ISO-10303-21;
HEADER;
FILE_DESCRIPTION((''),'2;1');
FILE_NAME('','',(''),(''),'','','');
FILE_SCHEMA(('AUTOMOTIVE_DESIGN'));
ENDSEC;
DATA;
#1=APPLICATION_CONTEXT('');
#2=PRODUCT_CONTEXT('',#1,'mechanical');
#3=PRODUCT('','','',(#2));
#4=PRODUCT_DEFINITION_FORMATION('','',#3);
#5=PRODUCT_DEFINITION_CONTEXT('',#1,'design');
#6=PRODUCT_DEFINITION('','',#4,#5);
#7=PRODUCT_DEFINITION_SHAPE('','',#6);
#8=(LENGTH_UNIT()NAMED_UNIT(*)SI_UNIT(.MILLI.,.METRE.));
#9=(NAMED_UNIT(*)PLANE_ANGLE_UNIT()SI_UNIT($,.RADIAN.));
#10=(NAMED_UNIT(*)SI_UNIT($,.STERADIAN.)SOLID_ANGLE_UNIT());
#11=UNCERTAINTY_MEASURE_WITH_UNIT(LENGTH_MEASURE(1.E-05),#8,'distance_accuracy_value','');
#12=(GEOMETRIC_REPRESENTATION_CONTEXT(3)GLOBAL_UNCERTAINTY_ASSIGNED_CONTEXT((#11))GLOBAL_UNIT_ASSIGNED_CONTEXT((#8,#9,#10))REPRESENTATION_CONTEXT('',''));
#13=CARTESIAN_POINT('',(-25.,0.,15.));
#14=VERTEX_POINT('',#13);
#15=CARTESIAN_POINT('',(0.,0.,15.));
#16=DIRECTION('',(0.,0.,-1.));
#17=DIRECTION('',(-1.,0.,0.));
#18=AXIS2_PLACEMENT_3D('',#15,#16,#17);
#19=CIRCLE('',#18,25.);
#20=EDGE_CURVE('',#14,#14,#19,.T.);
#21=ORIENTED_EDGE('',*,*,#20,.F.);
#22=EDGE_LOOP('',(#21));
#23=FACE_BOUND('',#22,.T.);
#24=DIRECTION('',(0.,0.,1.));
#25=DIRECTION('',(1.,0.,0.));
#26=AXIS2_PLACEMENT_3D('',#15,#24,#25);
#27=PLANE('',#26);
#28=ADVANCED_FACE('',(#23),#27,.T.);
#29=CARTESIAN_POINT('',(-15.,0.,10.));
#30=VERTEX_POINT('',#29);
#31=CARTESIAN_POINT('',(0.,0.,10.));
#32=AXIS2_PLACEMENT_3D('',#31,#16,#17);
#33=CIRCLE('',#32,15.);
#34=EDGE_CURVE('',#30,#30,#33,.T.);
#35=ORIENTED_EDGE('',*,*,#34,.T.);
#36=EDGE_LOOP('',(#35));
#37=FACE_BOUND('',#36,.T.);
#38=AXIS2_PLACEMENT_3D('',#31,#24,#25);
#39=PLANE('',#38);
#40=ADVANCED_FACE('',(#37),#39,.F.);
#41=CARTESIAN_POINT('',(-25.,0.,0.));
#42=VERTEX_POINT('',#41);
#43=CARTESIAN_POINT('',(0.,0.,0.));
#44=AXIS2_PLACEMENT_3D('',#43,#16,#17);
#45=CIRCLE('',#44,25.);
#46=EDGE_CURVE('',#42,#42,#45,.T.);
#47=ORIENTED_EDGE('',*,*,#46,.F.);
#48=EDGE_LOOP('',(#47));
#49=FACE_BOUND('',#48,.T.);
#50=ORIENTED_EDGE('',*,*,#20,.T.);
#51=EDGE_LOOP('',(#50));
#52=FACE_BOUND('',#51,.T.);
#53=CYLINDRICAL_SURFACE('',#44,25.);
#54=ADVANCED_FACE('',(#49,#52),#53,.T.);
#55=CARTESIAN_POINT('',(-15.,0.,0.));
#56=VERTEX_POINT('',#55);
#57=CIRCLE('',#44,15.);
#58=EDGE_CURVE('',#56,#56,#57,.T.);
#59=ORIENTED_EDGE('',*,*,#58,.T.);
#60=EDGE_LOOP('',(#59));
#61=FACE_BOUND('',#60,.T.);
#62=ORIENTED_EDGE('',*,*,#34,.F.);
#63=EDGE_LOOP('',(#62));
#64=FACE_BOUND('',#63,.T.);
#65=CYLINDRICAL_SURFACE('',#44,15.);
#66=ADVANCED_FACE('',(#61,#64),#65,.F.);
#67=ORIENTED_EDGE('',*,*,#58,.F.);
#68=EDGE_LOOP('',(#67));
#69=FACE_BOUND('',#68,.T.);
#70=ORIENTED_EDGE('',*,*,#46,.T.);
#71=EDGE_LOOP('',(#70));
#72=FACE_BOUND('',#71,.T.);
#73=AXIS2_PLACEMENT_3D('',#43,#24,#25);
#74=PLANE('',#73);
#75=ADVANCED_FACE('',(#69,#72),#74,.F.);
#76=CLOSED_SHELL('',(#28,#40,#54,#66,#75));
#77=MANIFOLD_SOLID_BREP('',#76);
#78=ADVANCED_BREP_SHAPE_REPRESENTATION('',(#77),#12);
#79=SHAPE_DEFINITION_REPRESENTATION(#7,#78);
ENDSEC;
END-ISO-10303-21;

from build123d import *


with BuildPart() as part:
    # Sketch1 → Revolve1 (revolve)
    with BuildSketch(Plane(origin=(0, 0, 0), x_dir=(1, 0, 0), z_dir=(0, 1, 0))):
        Polygon((-25, -15), (0, -15), (0, -10), (-15, -10), (-15, 0), (-25, 0), align=None)
    revolve(axis=Axis((0, 0, 0), (0, 0, 1)))


solid = part.part
